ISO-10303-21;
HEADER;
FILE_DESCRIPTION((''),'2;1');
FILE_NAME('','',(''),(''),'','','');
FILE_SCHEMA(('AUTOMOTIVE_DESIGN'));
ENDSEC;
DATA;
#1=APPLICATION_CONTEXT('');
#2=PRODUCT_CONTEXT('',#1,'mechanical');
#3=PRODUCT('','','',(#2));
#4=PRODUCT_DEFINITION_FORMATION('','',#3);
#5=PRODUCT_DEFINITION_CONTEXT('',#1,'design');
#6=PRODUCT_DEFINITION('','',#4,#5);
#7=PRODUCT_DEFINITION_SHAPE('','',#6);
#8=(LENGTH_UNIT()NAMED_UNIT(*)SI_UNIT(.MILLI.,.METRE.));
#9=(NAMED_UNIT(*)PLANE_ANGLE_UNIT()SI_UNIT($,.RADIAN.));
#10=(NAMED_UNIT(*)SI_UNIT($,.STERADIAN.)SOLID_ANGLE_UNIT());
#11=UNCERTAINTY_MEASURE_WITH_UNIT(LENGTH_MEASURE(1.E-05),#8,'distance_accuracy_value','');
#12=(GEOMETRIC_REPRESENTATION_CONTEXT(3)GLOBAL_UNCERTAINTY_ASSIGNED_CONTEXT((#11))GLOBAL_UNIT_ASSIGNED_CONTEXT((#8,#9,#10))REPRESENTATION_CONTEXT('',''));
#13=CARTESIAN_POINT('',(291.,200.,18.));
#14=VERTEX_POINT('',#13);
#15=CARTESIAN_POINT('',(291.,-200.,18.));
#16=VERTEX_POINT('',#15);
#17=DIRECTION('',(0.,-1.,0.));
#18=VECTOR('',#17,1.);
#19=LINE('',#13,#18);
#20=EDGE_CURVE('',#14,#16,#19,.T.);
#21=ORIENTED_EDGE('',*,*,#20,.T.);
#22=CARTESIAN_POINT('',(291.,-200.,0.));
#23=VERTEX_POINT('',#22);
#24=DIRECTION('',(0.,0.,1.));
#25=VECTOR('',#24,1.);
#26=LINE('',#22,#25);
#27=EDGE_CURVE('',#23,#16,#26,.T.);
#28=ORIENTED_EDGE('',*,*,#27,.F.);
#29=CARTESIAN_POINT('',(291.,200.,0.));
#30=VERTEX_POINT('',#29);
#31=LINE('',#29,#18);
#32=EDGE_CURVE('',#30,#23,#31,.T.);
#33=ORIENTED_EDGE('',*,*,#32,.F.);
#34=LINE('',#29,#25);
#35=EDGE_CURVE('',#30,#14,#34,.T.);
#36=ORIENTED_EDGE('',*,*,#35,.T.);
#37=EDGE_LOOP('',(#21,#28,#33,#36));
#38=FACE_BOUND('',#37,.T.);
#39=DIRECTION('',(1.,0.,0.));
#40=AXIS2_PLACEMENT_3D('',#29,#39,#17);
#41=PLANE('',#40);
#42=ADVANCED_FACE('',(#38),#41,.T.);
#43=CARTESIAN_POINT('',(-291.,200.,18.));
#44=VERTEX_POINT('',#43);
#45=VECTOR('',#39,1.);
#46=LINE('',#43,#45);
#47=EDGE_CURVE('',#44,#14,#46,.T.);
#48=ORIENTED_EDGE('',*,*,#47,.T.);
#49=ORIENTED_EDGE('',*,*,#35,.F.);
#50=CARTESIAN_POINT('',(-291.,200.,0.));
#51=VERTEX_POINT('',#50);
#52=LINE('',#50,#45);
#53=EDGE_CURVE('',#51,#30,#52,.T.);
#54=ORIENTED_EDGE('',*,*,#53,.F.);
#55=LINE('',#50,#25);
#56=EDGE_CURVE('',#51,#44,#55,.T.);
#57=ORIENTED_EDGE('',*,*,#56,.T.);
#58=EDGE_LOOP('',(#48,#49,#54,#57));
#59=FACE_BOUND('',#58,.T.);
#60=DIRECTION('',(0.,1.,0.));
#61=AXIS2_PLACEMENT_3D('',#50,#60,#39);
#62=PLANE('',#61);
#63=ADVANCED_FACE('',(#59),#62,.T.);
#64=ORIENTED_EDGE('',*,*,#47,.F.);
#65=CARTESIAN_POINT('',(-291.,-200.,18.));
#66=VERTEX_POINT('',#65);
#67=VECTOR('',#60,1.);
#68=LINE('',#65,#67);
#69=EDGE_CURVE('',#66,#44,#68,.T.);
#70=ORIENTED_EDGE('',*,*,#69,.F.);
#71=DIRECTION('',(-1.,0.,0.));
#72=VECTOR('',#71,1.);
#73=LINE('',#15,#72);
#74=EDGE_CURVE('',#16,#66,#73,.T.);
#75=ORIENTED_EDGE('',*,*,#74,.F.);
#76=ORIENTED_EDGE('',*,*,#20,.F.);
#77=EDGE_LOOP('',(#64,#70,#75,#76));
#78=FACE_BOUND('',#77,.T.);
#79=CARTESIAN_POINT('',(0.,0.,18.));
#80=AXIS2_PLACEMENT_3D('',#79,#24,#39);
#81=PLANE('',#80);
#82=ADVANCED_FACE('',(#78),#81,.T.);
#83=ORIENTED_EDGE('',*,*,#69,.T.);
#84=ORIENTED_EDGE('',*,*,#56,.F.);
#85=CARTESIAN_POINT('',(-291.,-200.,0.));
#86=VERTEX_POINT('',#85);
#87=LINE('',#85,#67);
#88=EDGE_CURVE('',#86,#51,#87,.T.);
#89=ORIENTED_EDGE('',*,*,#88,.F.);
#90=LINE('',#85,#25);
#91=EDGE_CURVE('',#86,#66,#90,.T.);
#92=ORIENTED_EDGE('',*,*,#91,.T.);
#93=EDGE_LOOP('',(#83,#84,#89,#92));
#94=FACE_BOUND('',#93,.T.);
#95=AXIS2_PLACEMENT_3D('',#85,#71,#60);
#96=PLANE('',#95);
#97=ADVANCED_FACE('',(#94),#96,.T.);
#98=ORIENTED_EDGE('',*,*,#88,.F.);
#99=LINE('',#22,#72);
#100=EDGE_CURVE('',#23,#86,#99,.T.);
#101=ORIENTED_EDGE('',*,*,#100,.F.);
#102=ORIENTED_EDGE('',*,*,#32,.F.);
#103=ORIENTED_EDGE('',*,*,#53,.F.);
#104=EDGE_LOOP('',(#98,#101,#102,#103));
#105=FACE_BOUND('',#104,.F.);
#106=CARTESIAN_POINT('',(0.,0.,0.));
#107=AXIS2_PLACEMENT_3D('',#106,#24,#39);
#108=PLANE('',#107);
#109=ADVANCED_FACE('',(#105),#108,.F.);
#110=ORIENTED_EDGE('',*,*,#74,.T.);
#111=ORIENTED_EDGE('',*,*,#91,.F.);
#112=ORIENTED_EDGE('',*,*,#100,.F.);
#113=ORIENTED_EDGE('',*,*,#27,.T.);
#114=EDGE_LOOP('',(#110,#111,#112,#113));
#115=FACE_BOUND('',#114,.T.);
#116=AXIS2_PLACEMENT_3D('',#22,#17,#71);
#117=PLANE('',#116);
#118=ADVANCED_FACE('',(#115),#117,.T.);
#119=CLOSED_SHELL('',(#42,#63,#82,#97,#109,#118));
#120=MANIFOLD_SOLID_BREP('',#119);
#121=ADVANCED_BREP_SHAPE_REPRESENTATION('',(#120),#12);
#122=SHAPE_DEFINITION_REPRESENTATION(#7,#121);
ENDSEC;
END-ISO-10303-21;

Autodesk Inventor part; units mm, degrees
ref_plane "YZ Plane" through (0, 0, 0) normal (1, 0, 0) x (0, 1, 0)
ref_plane "XZ Plane" through (0, 0, 0) normal (0, 1, 0) x (-1, 0, 0)
ref_plane "XY Plane" through (0, 0, 0) normal (0, 0, 1) x (1, 0, 0)
sketch "Skizze1" plane through (0, 0, 0) normal (0, 0, 1) x (1, 0, 0)
  line L0 (291, -200) -> (-291, -200)
  line L1 (-291, -200) -> (-291, 200)
  line L2 (-291, 200) -> (291, 200)
  line L3 (291, 200) -> (291, -200)
  line L4 (291, -200) -> (-291, 200) construction
  line L5 (-291, -200) -> (291, 200) construction
  point P0 (0, 0)
  dimension "d0" = 582
  dimension "d1" = 400
extrude "Extrusion1" add sketch "Skizze1" along normal blind 18
equation "\"d0\" = case_depth - case_thickness"
equation "\"d1\" = case_width"
equation "\"d2\" = case_thickness"
equation "\"kg_thickness\" = 4.9"
equation "\"ht_thickness\" = 1.9"
equation "\"case_thickness\" = 18"
equation "\"inner_thickness\" = 15"
equation "\"gap_fit\" = 0.1"
equation "\"gap_slide\" = 0.2"
equation "\"gap_air\" = 1"
equation "\"bore_diameter\" = 73"
equation "\"case_width\" = 400"
equation "\"case_depth\" = 600"
equation "\"mdf_thickness\" = 6"
equation "\"tape_width\" = 15"
equation "\"tape_thickness\" = 3"
equation "\"inner_depth\" = 255"
properties part number "Korpus_Deckel"
